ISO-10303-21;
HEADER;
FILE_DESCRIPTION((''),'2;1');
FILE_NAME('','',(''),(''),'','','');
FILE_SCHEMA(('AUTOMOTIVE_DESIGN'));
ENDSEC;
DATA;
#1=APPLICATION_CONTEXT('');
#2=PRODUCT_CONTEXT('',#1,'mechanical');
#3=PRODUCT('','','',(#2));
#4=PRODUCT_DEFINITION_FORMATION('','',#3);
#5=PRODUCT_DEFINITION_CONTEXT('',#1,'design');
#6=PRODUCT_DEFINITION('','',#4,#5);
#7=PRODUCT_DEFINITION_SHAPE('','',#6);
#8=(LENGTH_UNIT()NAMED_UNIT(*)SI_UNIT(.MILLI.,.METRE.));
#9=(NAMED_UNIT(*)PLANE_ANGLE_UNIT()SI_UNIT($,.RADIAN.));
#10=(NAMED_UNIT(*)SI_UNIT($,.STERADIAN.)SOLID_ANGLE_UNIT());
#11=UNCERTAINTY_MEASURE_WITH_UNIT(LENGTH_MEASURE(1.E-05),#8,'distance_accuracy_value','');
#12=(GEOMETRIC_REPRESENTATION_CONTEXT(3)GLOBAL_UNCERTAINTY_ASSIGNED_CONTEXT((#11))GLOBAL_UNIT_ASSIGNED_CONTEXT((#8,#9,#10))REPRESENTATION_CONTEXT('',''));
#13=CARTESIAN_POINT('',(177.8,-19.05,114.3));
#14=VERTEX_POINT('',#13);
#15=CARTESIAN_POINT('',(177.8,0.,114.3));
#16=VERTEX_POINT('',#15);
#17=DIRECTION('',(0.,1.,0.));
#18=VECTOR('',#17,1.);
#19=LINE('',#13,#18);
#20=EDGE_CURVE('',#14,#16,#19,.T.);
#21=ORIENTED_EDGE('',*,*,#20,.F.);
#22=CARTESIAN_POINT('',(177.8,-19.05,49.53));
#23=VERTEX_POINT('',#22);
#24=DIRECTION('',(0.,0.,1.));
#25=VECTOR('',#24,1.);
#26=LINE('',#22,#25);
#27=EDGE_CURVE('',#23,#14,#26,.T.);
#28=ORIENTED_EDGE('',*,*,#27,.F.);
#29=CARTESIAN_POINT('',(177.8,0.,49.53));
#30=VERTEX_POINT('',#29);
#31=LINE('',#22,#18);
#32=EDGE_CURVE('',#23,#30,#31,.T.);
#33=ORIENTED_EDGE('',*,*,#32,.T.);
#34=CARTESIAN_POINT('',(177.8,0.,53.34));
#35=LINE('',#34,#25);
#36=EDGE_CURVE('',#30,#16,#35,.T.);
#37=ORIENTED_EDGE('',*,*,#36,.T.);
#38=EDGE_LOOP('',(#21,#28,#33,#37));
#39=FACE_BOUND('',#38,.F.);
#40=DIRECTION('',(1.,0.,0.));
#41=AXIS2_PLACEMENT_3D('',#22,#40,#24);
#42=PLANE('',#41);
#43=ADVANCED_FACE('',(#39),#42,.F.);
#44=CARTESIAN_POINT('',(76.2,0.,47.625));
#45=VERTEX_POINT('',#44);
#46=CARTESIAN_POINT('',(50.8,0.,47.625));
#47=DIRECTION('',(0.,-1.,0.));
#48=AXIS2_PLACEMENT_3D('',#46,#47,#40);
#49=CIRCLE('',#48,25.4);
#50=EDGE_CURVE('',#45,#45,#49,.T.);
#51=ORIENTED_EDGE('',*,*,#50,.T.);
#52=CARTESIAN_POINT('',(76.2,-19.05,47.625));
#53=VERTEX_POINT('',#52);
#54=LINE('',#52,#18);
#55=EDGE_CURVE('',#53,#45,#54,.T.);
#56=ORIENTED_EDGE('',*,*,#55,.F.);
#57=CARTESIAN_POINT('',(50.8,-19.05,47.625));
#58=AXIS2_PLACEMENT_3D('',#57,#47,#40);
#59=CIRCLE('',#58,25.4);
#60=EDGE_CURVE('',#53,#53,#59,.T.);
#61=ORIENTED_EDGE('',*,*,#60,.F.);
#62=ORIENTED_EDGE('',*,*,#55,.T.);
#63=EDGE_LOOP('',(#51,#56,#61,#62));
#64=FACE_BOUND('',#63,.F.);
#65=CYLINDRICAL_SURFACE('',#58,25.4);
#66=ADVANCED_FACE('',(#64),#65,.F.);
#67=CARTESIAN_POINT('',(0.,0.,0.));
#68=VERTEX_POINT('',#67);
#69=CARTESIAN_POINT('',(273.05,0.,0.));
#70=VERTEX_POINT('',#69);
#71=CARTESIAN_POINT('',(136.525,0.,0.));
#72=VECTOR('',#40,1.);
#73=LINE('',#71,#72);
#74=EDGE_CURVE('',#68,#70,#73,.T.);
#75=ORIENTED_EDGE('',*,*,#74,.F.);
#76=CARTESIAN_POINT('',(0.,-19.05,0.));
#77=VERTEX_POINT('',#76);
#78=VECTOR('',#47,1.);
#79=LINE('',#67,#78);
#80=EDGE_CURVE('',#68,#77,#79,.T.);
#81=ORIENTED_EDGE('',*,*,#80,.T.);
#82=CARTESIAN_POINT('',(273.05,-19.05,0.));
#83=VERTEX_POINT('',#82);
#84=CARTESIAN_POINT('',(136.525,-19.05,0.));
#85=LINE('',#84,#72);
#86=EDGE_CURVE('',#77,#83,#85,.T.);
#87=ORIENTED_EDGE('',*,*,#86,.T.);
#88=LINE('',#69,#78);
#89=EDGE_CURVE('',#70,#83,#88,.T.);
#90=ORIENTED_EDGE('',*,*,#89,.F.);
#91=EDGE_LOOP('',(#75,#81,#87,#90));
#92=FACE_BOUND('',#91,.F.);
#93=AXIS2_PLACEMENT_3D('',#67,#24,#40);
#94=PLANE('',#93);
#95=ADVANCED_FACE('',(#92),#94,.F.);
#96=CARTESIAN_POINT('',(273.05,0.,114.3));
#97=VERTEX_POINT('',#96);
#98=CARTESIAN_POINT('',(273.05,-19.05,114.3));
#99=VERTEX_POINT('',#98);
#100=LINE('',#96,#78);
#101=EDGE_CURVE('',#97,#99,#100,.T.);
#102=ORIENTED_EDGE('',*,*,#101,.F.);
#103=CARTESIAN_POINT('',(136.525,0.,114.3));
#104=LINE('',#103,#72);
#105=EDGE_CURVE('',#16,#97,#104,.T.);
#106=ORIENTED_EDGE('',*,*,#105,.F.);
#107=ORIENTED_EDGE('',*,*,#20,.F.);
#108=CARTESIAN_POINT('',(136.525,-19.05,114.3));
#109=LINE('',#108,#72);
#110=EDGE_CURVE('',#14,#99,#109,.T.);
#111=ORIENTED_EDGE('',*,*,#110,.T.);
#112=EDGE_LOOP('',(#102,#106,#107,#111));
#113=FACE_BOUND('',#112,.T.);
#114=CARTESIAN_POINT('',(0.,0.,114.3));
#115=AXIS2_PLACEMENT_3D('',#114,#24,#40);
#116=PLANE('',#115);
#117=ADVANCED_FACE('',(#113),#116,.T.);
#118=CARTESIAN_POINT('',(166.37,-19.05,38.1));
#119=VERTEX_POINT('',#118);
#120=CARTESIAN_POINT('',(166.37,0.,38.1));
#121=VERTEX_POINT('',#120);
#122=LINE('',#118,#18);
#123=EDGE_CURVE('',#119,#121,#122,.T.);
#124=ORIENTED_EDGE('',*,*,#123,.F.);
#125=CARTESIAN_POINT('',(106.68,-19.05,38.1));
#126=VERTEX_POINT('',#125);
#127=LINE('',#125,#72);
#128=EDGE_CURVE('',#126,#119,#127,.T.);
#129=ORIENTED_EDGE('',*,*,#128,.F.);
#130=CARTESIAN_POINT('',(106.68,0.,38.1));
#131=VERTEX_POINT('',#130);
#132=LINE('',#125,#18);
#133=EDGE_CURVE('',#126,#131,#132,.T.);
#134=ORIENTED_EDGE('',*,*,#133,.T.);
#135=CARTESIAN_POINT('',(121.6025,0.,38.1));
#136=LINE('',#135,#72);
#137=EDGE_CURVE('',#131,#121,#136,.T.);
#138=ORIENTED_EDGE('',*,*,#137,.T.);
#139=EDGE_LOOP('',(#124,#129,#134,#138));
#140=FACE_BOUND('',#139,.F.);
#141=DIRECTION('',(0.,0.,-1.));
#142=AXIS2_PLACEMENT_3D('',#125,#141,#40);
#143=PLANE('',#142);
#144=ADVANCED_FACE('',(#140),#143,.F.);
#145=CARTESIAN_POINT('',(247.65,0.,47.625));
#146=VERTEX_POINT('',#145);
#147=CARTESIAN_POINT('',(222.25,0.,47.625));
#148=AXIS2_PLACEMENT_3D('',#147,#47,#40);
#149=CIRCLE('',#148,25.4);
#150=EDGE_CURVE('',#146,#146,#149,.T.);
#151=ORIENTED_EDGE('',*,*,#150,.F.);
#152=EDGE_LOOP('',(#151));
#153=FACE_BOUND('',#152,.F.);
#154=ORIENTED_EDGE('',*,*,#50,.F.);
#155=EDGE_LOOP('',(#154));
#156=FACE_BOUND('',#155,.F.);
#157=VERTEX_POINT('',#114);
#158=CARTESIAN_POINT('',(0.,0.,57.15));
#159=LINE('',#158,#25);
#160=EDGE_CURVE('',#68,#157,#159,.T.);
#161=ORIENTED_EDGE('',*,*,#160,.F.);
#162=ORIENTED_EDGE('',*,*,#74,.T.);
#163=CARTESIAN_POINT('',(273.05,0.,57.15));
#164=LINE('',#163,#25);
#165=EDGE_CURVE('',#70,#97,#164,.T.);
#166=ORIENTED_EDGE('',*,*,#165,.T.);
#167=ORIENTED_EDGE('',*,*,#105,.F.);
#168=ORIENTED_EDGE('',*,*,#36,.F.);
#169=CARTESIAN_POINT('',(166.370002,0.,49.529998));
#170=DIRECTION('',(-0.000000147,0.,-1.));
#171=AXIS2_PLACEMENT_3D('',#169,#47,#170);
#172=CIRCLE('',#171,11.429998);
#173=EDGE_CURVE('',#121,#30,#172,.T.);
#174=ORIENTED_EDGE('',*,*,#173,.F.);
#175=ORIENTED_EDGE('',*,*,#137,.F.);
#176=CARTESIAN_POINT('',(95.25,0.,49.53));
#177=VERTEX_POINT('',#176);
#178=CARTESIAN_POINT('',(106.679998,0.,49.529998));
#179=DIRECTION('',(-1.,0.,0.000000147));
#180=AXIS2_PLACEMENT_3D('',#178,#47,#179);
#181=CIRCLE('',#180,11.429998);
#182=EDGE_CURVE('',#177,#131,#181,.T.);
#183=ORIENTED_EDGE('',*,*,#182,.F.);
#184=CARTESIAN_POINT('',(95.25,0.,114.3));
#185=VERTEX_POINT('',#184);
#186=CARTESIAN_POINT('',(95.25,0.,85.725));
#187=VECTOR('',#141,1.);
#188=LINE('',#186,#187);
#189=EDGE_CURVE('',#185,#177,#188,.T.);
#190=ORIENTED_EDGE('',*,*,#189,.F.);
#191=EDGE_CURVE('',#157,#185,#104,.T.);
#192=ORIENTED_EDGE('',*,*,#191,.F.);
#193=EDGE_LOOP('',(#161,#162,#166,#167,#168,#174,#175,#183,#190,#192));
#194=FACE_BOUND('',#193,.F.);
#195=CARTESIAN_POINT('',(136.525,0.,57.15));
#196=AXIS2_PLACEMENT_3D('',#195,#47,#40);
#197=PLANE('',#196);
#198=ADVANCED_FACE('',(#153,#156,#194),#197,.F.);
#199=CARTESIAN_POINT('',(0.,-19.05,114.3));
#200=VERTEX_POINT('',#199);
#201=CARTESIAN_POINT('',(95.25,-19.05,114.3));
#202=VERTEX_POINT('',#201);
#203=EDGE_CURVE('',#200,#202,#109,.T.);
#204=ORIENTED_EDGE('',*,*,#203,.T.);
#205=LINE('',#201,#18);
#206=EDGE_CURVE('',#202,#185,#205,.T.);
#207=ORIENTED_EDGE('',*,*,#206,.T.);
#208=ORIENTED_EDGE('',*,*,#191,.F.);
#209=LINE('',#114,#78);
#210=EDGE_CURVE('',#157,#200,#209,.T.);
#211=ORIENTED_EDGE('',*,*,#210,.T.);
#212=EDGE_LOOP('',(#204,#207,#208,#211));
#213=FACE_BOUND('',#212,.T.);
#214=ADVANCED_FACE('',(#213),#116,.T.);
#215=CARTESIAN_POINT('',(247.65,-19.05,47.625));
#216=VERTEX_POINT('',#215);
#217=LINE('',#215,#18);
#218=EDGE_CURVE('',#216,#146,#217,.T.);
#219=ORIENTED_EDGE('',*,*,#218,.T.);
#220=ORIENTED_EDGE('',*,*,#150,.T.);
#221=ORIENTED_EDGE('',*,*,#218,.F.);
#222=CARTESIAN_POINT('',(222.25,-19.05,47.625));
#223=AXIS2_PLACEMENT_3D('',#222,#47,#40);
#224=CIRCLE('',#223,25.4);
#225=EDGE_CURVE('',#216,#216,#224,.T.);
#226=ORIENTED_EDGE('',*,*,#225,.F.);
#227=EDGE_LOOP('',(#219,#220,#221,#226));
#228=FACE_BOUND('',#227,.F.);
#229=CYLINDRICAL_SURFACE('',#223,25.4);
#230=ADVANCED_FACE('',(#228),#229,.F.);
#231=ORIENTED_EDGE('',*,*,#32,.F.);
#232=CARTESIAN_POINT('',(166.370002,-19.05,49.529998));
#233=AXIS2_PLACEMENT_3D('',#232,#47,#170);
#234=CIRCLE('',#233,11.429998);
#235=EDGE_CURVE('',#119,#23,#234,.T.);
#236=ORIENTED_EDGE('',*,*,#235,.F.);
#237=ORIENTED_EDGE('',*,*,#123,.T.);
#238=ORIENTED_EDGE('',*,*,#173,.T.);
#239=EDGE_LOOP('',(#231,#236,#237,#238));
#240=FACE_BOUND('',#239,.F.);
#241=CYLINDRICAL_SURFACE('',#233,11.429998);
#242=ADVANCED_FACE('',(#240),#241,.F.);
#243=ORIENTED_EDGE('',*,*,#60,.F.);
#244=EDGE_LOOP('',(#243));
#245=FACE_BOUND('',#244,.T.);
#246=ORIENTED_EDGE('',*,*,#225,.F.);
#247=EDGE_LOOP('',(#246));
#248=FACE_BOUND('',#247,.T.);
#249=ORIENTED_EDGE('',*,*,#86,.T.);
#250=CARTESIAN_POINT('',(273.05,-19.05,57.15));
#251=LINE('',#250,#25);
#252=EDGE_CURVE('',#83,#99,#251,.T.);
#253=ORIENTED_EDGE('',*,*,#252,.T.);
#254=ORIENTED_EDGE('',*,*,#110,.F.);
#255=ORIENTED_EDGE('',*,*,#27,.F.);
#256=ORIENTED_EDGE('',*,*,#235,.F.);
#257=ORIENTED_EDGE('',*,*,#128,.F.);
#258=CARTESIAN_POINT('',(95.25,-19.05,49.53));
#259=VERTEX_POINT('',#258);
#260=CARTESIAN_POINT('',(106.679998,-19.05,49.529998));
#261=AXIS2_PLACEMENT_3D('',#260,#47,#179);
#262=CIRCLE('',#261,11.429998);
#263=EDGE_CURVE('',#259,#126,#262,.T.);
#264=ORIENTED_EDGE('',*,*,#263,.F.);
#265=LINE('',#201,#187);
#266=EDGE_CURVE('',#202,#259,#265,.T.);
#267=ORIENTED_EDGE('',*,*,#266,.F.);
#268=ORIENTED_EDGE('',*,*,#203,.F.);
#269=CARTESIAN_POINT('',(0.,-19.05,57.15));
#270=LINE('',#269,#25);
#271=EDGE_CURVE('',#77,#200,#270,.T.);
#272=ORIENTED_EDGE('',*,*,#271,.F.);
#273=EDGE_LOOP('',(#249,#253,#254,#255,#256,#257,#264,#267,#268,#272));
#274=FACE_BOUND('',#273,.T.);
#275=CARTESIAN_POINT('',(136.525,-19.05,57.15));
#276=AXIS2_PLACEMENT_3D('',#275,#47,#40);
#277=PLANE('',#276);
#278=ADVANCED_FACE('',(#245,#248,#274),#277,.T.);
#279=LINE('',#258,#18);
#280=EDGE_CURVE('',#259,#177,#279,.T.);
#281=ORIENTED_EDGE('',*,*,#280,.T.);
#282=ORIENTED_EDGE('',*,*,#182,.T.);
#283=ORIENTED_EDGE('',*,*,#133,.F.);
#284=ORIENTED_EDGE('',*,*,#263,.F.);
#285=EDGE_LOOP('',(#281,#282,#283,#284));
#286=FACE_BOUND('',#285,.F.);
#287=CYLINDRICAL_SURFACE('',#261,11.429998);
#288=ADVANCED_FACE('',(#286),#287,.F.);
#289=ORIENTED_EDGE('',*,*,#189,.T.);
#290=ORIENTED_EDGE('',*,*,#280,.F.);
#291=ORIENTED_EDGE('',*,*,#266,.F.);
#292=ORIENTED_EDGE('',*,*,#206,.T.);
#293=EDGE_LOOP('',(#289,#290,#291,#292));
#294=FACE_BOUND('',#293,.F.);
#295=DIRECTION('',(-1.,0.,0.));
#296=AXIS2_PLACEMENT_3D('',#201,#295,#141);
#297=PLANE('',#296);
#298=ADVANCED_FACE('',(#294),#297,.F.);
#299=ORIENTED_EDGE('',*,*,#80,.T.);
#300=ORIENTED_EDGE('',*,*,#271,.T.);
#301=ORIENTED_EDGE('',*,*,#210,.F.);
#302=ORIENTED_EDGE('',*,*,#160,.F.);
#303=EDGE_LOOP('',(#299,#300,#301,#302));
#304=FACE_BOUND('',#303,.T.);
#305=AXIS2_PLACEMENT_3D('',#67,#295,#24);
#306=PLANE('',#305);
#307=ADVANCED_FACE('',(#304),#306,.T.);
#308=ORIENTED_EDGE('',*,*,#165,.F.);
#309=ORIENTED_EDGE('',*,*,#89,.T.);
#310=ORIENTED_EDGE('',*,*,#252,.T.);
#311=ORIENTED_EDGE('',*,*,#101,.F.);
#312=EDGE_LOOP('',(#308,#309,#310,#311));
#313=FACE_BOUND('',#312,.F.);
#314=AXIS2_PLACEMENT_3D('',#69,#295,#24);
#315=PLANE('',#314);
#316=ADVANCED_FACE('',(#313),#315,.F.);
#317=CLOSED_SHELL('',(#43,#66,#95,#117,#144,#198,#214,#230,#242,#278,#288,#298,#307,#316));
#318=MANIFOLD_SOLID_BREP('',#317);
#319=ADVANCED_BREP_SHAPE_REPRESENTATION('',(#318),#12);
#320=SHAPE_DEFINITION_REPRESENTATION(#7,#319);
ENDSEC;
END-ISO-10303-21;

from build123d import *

# Parameters (mm, degrees)
F0_W     = 273.05
F0_H     = 114.3
F1_DEPTH = 19.05
F2_R     = 25.4
F3_DEPTH = 25.4
F5_DEPTH = 25.4


with BuildPart() as f1:
    # F0 (on Front) → F1 (new body)
    with BuildSketch(Plane.XZ):
        with Locations((136.525, 57.15)):
            Rectangle(F0_W, F0_H)
    extrude(amount=F1_DEPTH)

    # F2 (on face) → F3 (cut)
    with BuildSketch(Plane.XZ.offset(19.05)):
        with Locations((222.25, 47.625)):
            Circle(F2_R)
        with Locations((50.8, 47.625)):
            Circle(F2_R)
    extrude(amount=-F3_DEPTH, mode=Mode.SUBTRACT)

    # F4 (on face) → F5 (cut)
    with BuildSketch(Plane.XZ.offset(19.05)):
        with BuildLine():
            Line((177.8, 114.3), (95.25, 114.3))
            Line((95.25, 114.3), (95.25, 49.53))
            ThreePointArc((95.25, 49.53), (98.597769, 41.447769), (106.68, 38.1))
            Line((106.68, 38.1), (166.37, 38.1))
            ThreePointArc((166.37, 38.1), (174.452231, 41.447769), (177.8, 49.53))
            Line((177.8, 49.53), (177.8, 114.3))
        make_face()
    extrude(amount=-F5_DEPTH, mode=Mode.SUBTRACT)


solid = f1.part
